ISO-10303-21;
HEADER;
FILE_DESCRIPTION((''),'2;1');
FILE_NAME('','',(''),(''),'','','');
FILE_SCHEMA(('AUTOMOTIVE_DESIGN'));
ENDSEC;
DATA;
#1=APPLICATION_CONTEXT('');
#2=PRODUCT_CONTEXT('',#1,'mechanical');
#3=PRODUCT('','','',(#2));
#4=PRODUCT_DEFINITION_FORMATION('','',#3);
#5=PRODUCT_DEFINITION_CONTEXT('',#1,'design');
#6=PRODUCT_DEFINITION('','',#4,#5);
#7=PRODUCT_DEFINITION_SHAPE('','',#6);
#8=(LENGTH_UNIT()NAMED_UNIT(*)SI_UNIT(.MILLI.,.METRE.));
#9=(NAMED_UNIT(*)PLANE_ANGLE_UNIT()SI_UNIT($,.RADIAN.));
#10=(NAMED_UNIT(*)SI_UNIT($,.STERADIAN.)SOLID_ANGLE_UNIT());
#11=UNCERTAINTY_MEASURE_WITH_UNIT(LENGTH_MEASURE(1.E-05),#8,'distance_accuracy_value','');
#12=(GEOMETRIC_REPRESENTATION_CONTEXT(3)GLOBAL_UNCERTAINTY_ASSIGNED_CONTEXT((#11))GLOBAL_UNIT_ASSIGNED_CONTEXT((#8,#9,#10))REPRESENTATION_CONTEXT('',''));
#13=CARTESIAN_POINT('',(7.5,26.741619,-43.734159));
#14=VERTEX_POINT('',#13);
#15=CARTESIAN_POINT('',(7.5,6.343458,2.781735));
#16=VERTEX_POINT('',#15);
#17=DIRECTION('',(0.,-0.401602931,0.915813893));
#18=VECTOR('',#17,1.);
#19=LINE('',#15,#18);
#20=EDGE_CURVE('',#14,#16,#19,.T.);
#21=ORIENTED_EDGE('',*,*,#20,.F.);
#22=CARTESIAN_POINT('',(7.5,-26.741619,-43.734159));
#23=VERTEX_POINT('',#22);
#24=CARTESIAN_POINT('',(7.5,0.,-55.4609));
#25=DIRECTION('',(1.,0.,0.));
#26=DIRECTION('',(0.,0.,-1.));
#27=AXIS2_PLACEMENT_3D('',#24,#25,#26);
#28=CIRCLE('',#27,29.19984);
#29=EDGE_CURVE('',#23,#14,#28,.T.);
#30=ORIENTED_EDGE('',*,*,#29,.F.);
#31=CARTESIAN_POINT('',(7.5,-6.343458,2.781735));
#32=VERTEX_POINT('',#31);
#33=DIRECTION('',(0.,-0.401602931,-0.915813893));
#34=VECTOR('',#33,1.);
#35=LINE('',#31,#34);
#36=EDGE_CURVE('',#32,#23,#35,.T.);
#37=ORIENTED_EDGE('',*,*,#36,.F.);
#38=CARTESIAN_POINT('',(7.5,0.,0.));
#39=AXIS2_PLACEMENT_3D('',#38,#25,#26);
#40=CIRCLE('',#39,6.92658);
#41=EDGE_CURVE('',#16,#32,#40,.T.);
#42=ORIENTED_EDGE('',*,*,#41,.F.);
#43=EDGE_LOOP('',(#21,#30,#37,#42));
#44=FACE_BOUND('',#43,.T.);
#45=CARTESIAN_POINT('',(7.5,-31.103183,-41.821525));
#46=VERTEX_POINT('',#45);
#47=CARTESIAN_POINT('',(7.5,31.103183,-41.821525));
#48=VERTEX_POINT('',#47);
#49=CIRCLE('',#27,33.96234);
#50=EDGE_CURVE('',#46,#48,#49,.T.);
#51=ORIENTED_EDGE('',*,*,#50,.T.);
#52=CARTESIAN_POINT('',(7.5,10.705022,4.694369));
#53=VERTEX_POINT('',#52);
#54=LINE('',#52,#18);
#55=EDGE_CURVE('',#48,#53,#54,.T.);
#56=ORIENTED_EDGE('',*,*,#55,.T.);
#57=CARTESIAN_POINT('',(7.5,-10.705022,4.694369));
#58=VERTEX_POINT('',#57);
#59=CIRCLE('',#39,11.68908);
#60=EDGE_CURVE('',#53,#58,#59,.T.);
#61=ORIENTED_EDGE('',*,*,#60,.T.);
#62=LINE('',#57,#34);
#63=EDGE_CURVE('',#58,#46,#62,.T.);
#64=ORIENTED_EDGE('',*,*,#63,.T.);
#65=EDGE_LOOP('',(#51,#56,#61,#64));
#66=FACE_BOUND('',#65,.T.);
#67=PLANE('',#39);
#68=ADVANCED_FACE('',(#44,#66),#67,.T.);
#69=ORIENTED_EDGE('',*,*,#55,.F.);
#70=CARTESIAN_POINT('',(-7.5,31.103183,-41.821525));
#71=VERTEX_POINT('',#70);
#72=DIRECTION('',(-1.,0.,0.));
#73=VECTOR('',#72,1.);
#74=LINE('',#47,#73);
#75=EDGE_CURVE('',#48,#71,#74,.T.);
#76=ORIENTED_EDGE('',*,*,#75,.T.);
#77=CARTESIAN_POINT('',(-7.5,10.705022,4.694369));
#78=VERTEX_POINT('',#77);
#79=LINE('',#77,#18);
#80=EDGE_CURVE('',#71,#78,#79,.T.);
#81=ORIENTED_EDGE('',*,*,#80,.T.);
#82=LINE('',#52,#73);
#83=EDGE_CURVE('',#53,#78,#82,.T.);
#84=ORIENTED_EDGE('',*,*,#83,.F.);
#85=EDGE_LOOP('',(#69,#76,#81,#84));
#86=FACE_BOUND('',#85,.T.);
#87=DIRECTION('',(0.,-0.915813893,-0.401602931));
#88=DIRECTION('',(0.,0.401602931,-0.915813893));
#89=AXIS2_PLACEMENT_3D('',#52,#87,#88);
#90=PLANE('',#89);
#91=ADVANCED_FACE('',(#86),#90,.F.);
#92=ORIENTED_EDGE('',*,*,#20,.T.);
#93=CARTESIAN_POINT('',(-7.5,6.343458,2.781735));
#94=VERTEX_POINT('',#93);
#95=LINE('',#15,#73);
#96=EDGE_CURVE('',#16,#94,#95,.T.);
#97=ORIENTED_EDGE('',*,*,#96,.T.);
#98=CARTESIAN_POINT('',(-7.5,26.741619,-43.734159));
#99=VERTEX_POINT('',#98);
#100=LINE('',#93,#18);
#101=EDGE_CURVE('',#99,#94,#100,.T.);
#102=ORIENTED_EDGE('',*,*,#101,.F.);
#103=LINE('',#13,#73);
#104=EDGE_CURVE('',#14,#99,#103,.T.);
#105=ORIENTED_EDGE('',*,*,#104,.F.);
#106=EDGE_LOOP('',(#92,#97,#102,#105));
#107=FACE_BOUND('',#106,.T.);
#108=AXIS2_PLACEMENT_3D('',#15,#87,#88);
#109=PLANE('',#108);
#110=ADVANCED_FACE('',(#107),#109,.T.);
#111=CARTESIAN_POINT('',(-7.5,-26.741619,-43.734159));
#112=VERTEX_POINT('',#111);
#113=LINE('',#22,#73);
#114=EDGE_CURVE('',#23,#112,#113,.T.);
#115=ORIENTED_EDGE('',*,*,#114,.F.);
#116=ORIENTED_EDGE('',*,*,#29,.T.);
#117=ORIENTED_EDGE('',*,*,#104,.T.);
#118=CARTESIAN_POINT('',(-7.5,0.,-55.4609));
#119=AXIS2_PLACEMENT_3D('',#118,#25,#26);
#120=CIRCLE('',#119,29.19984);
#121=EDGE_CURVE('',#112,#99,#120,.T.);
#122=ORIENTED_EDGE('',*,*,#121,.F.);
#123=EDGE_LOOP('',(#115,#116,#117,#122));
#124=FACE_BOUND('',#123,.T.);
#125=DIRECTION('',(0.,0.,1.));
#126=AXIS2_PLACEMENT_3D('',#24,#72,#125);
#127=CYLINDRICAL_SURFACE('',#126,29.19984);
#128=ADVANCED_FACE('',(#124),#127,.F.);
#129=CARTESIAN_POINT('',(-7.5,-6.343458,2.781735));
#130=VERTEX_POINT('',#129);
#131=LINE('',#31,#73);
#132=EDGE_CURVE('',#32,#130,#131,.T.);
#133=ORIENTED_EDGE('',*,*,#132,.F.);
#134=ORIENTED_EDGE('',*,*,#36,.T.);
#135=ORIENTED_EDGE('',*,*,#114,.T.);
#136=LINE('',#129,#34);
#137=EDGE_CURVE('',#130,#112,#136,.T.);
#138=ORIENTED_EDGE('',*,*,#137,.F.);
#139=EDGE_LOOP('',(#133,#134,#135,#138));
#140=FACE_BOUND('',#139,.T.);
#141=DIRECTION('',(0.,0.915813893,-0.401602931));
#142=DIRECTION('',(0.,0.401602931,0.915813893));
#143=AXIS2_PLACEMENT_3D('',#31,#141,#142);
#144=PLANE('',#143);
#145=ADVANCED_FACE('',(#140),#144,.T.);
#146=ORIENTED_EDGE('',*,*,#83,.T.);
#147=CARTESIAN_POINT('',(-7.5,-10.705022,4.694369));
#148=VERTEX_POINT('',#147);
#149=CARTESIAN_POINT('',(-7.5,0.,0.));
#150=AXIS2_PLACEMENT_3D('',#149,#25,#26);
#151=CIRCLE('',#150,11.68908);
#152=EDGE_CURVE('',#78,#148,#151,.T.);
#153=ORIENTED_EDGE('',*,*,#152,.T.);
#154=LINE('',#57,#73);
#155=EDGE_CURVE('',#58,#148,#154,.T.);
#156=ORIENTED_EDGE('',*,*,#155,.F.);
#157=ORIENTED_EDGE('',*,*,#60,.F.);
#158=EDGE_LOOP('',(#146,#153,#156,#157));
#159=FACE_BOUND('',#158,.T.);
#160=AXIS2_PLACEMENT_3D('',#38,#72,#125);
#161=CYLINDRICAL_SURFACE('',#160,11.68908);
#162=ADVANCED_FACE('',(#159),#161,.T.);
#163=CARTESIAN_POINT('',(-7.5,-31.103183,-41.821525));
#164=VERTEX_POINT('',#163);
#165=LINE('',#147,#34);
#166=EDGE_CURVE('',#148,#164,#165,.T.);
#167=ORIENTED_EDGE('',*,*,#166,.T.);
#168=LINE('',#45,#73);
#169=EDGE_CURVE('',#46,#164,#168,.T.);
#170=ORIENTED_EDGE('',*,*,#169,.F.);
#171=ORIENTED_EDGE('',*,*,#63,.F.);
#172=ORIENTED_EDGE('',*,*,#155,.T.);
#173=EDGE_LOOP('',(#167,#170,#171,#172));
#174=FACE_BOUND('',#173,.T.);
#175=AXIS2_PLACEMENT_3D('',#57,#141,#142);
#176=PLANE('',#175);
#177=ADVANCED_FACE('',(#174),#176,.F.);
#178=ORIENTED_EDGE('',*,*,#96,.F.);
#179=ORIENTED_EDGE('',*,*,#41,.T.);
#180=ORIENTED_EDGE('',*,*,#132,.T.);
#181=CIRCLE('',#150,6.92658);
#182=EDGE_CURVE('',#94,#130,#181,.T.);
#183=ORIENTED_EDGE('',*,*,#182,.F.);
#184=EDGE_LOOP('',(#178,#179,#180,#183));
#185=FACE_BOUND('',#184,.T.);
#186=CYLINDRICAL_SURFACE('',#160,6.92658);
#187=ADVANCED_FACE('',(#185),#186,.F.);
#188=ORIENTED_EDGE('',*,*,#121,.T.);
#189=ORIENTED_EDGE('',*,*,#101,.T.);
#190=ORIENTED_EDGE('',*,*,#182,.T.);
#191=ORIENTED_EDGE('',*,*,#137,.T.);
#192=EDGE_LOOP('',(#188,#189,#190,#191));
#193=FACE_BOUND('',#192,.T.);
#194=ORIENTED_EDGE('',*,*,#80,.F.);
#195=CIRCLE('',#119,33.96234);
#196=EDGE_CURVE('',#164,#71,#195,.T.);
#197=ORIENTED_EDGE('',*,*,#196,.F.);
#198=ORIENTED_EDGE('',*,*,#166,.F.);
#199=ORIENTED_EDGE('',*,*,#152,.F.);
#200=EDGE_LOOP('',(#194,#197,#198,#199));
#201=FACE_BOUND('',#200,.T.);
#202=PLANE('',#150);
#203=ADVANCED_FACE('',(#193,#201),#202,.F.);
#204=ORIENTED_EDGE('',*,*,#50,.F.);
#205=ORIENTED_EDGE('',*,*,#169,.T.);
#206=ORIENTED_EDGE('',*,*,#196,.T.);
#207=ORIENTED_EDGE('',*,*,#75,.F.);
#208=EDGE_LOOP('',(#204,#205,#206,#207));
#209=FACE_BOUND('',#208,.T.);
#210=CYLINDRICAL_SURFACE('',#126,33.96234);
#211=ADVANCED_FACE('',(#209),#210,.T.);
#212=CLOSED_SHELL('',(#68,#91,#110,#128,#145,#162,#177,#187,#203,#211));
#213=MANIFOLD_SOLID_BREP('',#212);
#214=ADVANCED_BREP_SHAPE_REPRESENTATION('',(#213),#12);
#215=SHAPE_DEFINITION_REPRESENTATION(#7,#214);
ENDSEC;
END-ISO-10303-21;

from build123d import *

# Parameters (mm, degrees)
BOSS_EXTRUDE1_DEPTH = 7.5


with BuildPart() as part:
    # Sketch1 → Boss-Extrude1 (new body, symmetric)
    with BuildSketch(Plane(origin=(0, 0, 0), x_dir=(0, 0, -1), z_dir=(1, 0, 0))):
        with BuildLine():
            Line((-4.69436879, 10.705021855), (41.82152471, 31.103182795))
            ThreePointArc((41.82152471, 31.103182795), (89.42324, 0), (41.82152471, -31.103182795))
            Line((41.82152471, -31.103182795), (-4.69436879, -10.705021855))
            ThreePointArc((-4.69436879, -10.705021855), (-11.68908, 0), (-4.69436879, 10.705021855))
        make_face()
        with BuildLine():
            Line((-2.78173483, 6.343458192), (43.734158669, 26.741619132))
            ThreePointArc((43.734158669, 26.741619132), (84.66074, 0), (43.734158669, -26.741619132))
            Line((43.734158669, -26.741619132), (-2.78173483, -6.343458192))
            ThreePointArc((-2.78173483, -6.343458192), (-6.92658, 0), (-2.78173483, 6.343458192))
        make_face(mode=Mode.SUBTRACT)
    extrude(amount=BOSS_EXTRUDE1_DEPTH, both=True)


solid = part.part
